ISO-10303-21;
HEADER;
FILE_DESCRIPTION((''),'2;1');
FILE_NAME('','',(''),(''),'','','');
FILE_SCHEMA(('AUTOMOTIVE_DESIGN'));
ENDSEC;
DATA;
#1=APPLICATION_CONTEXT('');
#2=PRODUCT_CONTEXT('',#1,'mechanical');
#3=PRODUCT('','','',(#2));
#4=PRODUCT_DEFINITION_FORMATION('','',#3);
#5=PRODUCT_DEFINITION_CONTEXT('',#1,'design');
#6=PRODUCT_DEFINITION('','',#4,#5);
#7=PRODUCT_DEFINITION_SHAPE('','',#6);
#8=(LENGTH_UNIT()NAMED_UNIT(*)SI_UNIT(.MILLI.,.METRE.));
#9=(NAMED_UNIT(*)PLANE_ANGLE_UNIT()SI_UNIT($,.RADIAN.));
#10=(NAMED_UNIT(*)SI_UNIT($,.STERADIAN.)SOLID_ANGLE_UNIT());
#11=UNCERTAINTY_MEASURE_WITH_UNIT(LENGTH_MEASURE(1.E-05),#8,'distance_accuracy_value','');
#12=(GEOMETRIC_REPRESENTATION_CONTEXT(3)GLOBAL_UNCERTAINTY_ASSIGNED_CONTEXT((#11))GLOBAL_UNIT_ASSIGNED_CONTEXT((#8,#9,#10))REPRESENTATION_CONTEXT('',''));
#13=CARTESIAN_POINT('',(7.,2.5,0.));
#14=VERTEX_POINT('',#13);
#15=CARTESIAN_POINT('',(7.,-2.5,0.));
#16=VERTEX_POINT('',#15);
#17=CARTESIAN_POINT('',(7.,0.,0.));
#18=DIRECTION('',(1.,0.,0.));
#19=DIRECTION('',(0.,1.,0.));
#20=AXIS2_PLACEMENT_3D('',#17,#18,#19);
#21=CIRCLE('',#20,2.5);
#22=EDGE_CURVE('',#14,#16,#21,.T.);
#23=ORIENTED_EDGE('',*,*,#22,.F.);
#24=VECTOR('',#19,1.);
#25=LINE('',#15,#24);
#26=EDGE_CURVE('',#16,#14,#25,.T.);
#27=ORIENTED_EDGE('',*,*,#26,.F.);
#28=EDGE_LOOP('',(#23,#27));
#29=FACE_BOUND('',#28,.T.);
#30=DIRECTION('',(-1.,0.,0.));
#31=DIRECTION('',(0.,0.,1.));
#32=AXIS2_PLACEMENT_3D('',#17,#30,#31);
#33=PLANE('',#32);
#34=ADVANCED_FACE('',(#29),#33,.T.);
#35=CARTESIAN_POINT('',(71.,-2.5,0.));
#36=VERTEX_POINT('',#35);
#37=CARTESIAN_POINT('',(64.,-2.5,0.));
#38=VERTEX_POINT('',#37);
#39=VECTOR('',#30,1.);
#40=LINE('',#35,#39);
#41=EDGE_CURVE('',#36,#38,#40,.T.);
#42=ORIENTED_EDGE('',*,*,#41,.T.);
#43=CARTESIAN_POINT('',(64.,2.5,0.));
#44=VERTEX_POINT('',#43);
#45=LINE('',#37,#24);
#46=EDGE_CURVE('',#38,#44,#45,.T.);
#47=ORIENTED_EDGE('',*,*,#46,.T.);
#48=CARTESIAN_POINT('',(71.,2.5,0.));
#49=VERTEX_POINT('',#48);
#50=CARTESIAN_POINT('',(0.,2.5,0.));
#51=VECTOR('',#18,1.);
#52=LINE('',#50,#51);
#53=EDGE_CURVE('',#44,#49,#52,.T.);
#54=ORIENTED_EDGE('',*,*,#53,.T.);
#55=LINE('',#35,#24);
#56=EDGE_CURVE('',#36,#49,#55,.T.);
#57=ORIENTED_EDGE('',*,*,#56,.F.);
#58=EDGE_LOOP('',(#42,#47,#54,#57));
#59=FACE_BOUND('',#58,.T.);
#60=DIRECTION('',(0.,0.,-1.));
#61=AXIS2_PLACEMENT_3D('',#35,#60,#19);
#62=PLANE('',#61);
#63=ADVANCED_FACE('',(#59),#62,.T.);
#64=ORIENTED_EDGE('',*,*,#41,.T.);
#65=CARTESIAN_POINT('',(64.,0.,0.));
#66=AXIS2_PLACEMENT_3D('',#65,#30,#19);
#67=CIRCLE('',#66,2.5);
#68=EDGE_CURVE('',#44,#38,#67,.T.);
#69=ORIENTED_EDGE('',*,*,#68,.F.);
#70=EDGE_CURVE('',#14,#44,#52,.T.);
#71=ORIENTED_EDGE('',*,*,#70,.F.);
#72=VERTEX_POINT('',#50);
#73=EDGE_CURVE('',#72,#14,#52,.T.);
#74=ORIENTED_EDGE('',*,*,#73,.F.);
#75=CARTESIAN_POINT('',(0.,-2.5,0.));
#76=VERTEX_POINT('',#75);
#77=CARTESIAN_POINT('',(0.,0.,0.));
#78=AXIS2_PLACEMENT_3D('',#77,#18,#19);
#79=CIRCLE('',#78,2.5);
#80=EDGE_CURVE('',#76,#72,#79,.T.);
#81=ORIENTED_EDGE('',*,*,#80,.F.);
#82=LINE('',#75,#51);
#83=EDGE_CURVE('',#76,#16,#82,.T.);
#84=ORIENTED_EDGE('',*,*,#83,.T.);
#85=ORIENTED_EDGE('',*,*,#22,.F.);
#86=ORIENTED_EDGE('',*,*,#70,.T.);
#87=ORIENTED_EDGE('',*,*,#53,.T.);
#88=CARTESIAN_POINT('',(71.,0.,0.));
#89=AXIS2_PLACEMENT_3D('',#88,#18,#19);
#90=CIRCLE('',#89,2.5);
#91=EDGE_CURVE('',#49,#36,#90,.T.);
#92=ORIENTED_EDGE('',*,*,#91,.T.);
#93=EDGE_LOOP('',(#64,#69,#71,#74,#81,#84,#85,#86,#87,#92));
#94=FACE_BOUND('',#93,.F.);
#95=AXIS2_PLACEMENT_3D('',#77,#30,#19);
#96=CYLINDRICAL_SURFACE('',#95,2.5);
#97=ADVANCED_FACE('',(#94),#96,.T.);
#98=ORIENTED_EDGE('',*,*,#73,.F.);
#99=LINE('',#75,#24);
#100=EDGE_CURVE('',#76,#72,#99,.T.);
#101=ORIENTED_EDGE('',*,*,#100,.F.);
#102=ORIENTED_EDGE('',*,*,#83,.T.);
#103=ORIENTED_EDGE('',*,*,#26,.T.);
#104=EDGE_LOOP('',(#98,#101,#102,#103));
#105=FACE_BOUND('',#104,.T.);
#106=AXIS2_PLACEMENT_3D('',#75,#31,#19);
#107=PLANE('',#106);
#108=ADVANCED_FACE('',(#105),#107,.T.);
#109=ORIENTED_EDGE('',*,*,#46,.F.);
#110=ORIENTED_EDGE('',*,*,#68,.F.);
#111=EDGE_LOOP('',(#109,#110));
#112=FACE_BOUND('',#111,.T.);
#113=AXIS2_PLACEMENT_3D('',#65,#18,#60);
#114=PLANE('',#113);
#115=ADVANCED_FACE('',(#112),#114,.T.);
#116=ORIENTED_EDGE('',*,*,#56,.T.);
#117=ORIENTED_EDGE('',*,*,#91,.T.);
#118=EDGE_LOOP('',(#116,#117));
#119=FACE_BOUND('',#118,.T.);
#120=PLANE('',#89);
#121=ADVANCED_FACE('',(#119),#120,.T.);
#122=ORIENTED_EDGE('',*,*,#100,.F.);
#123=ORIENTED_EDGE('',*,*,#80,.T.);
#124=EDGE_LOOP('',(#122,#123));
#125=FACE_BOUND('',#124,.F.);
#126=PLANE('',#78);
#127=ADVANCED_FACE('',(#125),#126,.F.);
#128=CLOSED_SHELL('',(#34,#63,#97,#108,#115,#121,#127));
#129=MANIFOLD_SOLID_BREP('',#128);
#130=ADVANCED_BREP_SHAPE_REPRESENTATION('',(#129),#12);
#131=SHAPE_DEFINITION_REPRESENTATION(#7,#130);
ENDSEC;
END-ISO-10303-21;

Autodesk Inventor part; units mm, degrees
ref_plane "YZ Plane" through (0, 0, 0) normal (1, 0, 0) x (0, 1, 0)
ref_plane "XZ Plane" through (0, 0, 0) normal (0, 1, 0) x (-1, 0, 0)
ref_plane "XY Plane" through (0, 0, 0) normal (0, 0, 1) x (1, 0, 0)
sketch "Sketch1" plane through (0, 0, 0) normal (1, 0, 0) x (0, 1, 0)
  circle A0 centre (0, 0) radius 2.5
  dimension "d0" = 5
extrude "Extrusion1" add sketch "Sketch1" along normal blind 71
sketch "Sketch2" plane through (71, 0, 0) normal (1, 0, 0) x (0, 0, -1)
  circle A0 centre (0, 0) radius 2.5 projected
  arc A1 (0, -2.5) -> (0, 2.5) centre (0, 0) ccw
  line L0 (0, -2.5) -> (0, 2.5)
extrude "Extrusion2" cut sketch "Sketch2" against normal blind 7 contours A0 L0 picked at (0.5196, 0.6515)
sketch "Sketch3" plane through (0, 0, 0) normal (-1, 0, 0) x (0, 0, 1)
  arc A0 (0, 2.5) -> (0, -2.5) centre (0, 0) ccw projected
  circle A1 centre (0, 0) radius 2.5 projected
  arc A2 (0, -2.5) -> (0, 2.5) centre (0, 0) ccw
  arc A3 (0, -2.5) -> (0, 2.5) centre (0, 0) ccw projected
  line L0 (0, -2.5) -> (0, 2.5)
extrude "Extrusion3" cut sketch "Sketch3" against normal blind 7 contours A1 L0
properties part number "Aluminum_Rod_70mm"
